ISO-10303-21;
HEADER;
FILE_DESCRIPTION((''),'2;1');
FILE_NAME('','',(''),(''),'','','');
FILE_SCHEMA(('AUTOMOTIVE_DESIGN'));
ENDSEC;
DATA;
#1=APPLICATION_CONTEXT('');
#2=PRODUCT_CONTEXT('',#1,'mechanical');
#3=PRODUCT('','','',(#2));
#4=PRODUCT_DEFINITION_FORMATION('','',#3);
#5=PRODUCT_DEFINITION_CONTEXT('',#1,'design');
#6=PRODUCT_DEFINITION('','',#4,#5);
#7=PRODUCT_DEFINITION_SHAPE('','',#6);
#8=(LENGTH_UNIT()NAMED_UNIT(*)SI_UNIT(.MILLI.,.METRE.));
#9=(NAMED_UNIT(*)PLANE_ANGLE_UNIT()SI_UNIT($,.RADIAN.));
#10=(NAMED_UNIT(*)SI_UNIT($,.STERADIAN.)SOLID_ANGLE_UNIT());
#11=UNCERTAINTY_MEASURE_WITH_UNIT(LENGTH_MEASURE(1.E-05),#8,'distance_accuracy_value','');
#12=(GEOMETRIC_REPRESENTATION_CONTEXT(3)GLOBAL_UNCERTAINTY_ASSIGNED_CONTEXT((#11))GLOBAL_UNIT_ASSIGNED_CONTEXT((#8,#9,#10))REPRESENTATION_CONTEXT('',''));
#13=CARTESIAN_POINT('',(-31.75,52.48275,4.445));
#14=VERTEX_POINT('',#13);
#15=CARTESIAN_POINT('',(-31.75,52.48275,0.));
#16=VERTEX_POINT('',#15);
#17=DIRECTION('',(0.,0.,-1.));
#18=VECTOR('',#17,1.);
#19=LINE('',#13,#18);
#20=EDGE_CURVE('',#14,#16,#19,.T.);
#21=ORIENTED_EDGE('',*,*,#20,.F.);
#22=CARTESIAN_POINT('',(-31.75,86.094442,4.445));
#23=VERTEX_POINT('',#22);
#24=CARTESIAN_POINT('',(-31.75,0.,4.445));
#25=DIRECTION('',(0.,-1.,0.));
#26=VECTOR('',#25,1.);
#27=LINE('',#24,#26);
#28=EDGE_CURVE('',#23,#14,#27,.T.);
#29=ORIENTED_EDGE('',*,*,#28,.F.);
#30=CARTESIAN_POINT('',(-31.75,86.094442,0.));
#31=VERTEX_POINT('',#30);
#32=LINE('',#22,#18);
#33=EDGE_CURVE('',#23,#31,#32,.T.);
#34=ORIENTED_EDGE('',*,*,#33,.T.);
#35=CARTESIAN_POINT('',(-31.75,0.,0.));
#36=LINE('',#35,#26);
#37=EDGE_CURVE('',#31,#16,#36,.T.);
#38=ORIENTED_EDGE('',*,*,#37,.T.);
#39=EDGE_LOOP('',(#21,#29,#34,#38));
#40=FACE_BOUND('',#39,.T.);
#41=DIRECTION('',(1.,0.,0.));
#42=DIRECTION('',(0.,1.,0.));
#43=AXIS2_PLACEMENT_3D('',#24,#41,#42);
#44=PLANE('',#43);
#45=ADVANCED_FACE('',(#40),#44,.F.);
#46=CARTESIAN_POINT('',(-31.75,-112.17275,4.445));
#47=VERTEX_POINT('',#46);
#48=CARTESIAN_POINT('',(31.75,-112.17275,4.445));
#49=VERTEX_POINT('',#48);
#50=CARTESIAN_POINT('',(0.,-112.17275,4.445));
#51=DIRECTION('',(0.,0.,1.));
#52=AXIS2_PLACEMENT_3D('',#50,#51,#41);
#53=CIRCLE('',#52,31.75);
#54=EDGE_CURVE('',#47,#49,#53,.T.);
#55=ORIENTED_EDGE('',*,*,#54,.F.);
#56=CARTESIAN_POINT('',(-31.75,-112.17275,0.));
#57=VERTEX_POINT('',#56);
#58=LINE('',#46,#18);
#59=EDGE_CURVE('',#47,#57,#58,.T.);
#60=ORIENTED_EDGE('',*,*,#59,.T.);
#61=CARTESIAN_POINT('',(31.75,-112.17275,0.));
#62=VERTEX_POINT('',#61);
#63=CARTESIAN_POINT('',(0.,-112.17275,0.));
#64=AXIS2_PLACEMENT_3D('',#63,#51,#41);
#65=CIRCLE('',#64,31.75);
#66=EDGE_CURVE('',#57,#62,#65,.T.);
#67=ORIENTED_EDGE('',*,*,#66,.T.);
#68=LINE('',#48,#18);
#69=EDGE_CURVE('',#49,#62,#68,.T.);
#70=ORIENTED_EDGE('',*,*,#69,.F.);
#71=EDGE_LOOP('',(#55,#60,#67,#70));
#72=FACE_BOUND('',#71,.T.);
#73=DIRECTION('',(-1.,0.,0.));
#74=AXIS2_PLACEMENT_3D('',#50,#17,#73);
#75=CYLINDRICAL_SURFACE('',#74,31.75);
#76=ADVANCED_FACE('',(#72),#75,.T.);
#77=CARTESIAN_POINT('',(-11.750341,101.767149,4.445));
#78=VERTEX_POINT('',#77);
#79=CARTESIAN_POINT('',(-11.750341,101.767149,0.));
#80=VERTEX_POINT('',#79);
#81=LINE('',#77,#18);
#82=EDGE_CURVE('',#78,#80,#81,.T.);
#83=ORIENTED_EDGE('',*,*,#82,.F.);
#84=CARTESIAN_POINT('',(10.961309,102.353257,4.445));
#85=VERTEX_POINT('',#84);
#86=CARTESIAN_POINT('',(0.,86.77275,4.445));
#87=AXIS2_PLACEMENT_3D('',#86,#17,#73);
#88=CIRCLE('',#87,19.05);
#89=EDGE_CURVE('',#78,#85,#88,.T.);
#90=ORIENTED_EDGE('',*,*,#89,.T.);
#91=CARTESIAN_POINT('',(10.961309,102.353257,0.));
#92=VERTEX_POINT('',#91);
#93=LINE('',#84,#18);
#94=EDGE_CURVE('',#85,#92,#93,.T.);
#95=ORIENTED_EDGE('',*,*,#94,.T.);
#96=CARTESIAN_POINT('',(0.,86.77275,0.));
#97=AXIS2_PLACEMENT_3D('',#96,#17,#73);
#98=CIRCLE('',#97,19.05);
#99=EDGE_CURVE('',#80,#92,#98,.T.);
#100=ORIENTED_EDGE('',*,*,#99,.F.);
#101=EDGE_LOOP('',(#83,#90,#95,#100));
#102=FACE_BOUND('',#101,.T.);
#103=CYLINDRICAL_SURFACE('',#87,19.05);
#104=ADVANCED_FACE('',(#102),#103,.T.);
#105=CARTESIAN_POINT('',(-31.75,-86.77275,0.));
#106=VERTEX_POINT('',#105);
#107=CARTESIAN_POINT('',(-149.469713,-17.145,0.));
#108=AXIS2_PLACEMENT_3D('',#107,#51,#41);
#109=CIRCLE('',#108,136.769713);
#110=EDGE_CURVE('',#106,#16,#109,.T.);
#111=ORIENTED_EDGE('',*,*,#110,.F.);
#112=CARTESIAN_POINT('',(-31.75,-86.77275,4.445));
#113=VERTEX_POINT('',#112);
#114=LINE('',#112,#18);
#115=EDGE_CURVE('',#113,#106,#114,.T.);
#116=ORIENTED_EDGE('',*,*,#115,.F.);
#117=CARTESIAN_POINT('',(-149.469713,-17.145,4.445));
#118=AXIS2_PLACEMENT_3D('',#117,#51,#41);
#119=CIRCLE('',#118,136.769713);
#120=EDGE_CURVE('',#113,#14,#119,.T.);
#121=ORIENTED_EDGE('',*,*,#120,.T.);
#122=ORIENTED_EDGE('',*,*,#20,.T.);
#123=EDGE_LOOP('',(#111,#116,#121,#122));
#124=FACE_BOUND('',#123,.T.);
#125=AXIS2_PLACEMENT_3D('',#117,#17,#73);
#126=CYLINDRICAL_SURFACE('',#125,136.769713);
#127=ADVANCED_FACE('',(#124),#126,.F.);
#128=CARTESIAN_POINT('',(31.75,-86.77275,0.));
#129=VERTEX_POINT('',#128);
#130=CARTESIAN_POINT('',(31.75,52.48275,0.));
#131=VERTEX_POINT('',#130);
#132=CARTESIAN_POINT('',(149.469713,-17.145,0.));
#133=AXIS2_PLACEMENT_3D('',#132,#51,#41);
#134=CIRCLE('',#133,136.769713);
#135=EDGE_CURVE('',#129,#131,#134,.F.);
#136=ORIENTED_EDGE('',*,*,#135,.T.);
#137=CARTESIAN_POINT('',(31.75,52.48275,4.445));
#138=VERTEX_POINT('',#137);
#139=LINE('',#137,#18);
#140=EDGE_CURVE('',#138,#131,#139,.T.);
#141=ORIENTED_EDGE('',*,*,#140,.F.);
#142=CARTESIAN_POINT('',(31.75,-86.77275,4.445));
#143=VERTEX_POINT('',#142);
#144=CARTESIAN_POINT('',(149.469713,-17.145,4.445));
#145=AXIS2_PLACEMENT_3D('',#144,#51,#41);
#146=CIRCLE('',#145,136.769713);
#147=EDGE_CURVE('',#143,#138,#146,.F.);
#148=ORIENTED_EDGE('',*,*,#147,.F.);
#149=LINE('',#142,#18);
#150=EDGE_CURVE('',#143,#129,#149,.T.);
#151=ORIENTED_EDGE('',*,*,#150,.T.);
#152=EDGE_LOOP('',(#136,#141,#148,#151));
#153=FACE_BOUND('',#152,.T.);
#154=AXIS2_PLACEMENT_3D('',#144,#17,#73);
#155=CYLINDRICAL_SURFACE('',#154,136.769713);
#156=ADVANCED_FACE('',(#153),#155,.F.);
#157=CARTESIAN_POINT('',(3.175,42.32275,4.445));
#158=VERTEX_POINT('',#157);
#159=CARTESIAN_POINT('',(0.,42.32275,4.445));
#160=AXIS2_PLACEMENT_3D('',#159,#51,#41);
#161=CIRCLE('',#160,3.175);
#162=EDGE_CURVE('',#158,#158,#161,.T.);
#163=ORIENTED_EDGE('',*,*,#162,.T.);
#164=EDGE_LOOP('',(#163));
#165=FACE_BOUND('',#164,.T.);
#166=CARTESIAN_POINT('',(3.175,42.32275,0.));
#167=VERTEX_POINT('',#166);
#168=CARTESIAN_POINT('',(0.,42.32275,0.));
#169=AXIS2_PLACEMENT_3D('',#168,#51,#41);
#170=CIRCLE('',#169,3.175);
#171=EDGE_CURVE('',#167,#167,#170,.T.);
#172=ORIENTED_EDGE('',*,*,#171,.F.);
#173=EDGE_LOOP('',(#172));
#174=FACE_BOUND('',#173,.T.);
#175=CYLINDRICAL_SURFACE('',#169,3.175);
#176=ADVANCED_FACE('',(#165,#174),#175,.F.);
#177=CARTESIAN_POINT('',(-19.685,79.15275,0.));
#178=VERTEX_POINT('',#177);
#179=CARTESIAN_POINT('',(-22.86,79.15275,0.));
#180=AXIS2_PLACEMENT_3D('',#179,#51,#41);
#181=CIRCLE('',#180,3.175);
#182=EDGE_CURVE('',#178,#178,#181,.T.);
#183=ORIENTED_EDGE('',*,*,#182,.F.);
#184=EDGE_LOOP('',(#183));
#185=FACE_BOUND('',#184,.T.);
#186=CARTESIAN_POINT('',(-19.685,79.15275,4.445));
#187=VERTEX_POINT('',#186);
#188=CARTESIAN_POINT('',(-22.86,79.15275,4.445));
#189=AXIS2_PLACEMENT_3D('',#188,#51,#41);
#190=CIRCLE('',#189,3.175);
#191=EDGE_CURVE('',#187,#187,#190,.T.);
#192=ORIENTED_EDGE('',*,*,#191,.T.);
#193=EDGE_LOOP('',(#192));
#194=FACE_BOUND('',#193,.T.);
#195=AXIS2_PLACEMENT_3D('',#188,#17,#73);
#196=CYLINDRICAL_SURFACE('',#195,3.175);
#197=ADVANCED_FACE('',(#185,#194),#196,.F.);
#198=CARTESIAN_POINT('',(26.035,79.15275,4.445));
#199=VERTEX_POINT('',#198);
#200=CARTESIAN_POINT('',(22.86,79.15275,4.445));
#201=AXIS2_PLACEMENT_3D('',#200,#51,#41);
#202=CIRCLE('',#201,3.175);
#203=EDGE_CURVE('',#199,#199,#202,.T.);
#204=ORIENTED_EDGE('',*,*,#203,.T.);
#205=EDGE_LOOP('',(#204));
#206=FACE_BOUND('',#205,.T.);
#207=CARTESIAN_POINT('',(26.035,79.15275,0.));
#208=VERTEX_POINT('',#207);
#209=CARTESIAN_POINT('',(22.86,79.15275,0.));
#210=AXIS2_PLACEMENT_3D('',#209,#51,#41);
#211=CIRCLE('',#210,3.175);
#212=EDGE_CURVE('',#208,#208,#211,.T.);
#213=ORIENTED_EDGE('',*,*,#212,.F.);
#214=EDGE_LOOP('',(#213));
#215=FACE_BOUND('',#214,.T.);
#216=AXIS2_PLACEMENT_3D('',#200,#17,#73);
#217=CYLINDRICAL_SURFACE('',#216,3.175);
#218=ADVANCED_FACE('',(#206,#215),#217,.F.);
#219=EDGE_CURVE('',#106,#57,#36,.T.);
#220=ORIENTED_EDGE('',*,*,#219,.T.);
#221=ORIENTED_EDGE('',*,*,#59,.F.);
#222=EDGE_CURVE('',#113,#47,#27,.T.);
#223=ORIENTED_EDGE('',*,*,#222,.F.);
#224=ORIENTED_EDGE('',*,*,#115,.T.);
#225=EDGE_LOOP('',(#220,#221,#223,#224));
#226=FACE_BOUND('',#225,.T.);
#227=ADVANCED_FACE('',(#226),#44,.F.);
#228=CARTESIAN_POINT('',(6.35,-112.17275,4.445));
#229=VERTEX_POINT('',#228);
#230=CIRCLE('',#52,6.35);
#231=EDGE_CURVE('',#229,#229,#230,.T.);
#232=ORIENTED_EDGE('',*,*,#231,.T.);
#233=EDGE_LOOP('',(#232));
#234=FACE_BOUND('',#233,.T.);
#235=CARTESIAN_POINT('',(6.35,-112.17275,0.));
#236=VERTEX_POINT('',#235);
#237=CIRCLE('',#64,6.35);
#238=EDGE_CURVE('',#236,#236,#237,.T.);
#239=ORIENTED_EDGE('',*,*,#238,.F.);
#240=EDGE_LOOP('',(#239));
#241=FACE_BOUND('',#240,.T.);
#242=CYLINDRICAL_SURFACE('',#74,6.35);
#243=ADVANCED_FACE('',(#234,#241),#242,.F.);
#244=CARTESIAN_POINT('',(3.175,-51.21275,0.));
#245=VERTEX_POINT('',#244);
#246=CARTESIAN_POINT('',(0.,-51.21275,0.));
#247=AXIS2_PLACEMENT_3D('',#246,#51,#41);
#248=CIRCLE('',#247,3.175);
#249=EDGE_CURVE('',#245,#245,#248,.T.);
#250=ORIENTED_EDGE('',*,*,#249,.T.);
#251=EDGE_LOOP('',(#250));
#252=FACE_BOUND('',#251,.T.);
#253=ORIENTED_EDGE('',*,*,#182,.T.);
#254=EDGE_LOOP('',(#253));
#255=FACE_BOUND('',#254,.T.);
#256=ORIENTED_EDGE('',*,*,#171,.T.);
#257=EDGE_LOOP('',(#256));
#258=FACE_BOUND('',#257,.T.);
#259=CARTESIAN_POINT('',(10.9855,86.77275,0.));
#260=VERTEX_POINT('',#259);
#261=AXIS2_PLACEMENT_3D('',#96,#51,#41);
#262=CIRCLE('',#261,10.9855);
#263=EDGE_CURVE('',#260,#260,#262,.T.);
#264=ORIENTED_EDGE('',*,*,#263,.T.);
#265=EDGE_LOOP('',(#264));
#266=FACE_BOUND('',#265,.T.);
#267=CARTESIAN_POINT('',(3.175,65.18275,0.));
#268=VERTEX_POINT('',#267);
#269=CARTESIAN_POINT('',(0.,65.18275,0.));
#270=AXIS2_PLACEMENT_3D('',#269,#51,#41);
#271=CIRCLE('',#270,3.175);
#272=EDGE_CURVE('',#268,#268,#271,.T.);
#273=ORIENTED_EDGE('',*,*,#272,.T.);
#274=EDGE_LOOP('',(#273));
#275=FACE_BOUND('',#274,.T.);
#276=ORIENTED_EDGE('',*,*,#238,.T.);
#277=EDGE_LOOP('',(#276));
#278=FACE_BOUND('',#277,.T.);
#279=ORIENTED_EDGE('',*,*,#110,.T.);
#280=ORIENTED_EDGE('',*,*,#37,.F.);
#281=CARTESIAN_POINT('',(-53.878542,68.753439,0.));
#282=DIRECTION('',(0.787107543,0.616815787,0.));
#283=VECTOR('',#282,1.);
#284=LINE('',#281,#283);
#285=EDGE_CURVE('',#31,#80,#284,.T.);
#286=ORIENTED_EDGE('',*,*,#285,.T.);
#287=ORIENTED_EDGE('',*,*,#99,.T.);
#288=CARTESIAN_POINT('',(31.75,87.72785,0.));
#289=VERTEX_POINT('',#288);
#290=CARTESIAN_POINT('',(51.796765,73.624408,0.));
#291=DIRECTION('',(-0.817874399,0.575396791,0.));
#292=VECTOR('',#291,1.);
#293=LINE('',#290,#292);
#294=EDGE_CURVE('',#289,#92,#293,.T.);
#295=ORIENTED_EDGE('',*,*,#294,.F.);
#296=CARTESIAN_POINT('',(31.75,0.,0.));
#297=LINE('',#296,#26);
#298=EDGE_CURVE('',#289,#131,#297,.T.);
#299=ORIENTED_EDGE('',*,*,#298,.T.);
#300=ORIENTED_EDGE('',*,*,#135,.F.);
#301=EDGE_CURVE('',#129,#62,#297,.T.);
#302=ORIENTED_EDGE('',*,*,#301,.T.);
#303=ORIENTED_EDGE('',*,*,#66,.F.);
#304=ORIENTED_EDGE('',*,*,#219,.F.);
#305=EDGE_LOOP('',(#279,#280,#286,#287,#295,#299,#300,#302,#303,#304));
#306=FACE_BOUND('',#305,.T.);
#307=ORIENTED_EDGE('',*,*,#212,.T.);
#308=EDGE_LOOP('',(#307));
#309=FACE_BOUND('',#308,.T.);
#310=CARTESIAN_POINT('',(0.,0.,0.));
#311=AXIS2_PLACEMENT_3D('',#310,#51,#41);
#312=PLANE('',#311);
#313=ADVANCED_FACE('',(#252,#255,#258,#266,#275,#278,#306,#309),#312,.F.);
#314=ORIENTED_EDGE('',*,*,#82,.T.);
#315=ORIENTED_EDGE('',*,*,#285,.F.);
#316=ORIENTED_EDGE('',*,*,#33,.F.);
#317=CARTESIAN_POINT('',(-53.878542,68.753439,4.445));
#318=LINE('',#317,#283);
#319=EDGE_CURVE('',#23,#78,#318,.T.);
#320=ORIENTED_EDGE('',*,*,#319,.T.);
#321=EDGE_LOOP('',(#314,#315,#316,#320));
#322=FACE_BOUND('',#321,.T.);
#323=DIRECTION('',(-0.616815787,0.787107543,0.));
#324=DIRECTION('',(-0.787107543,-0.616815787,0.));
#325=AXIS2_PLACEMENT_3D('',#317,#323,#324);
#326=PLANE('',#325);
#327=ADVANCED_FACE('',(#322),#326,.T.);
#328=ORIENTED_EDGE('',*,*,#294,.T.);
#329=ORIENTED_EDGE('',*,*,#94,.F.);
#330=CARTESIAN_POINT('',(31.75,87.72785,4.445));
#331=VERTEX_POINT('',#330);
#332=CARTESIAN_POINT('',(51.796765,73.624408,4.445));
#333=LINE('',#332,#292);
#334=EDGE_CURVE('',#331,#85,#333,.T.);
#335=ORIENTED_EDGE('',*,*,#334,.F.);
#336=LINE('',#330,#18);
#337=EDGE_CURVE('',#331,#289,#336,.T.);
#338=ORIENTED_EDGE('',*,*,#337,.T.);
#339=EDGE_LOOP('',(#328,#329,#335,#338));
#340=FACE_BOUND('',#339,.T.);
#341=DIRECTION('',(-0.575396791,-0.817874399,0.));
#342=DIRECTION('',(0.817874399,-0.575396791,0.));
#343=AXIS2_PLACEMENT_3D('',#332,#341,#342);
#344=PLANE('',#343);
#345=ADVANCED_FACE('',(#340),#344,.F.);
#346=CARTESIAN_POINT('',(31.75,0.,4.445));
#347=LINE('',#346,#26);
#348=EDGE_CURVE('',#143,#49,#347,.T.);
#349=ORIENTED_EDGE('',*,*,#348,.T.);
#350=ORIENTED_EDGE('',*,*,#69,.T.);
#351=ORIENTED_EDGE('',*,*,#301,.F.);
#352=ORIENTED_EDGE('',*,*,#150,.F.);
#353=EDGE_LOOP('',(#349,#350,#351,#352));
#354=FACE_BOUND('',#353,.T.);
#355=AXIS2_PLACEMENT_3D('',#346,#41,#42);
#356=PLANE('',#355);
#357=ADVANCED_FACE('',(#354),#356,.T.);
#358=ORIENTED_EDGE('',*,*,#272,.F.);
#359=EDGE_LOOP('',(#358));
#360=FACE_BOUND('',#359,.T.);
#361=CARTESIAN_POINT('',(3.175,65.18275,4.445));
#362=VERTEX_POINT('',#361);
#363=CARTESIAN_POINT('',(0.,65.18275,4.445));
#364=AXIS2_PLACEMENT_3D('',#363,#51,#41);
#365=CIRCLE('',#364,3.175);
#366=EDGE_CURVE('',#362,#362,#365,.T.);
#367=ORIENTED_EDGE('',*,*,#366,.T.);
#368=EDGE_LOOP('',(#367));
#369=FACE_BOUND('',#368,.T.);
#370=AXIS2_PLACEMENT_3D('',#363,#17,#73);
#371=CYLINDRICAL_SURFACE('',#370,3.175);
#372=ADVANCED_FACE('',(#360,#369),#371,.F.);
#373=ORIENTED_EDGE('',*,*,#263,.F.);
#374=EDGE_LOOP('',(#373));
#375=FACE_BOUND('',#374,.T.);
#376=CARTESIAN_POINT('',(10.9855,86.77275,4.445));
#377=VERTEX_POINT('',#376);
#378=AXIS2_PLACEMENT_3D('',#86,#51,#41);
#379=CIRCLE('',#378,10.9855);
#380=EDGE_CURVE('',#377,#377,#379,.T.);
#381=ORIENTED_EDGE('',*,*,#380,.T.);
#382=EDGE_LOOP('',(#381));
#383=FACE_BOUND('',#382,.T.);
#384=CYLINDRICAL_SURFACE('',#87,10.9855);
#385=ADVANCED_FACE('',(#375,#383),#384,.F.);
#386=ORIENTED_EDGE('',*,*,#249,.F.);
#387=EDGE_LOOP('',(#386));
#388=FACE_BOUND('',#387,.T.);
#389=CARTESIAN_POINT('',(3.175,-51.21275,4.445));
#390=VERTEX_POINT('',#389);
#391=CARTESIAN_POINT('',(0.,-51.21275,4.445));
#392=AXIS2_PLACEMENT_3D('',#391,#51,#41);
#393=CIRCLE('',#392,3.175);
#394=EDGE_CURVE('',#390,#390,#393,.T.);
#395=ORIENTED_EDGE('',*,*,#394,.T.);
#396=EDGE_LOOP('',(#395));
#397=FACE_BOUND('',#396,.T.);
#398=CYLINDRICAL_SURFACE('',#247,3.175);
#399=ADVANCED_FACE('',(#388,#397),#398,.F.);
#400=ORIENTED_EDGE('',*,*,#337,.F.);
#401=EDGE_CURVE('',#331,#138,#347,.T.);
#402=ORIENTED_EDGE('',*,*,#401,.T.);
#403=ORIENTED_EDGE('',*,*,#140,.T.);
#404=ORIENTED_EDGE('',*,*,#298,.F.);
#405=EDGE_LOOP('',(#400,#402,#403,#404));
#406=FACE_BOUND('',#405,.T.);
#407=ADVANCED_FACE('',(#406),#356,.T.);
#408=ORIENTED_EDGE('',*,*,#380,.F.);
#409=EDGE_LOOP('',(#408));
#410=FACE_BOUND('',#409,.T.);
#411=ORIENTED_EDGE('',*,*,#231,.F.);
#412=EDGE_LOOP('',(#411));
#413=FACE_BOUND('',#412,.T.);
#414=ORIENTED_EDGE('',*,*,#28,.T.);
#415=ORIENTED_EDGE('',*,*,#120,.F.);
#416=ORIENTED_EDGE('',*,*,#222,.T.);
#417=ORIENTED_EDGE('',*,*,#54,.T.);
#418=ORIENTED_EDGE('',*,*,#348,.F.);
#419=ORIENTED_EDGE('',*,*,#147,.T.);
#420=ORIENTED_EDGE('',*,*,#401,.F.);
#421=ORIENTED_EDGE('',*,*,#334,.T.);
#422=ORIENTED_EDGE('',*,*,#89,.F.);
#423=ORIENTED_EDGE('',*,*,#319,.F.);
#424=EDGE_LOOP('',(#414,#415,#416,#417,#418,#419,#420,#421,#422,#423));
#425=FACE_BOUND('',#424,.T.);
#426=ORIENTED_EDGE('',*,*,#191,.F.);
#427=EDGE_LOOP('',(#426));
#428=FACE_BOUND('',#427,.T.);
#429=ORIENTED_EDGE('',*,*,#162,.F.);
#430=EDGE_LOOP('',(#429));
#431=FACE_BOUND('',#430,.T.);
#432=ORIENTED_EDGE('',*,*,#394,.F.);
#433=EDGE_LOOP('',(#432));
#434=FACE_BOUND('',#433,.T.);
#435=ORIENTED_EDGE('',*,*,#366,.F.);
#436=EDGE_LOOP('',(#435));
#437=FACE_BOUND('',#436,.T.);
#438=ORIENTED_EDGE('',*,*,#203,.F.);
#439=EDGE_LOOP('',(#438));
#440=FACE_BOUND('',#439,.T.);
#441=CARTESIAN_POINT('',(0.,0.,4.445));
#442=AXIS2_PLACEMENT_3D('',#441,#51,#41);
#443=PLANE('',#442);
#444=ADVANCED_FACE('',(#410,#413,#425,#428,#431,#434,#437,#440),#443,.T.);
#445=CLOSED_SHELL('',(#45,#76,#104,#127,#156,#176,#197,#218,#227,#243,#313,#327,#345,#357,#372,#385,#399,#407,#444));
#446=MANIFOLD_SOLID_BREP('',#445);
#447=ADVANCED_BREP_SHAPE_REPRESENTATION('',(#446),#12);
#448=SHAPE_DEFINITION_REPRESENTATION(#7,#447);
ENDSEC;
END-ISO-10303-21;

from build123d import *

# Parameters (mm, degrees)
SKETCH2_R           = 6.35
SKETCH2_R_2         = 3.175
SKETCH2_R_3         = 10.9855
BOSS_EXTRUDE1_DEPTH = 4.445
SKETCH4_R           = 3.175
CUT_EXTRUDE2_DEPTH  = 148.450257689
CUT_EXTRUDE3_DEPTH  = 148.450257689


with BuildPart() as part:
    # Sketch2 → Boss-Extrude1 (new body)
    with BuildSketch(Plane.XY):
        with BuildLine():
            Line((31.75, 112.17275), (-31.75, 112.17275))
            Line((-31.75, 112.17275), (-31.75, 52.48275))
            ThreePointArc((-31.75, 52.48275), (-12.7, -17.145), (-31.75, -86.77275))
            Line((-31.75, -86.77275), (-31.75, -112.17275))
            ThreePointArc((-31.75, -112.17275), (0, -143.92275), (31.75, -112.17275))
            Line((31.75, -112.17275), (31.75, -86.77275))
            ThreePointArc((31.75, -86.77275), (12.7, -17.145), (31.75, 52.48275))
            Line((31.75, 52.48275), (31.75, 112.17275))
        make_face()
        with Locations((0, -112.17275)):
            Circle(SKETCH2_R, mode=Mode.SUBTRACT)
        with Locations((-22.86, 79.15275)):
            Circle(SKETCH2_R_2, mode=Mode.SUBTRACT)
        with Locations((0, 65.18275)):
            Circle(SKETCH2_R_2, mode=Mode.SUBTRACT)
        with Locations((0, 86.77275)):
            Circle(SKETCH2_R_3, mode=Mode.SUBTRACT)
        with Locations((22.86, 79.15275)):
            Circle(SKETCH2_R_2, mode=Mode.SUBTRACT)
    extrude(amount=BOSS_EXTRUDE1_DEPTH)

    # Sketch4 → Cut-Extrude2 (cut, through all)
    with BuildSketch(Plane.XY.offset(4.445)):
        with Locations((0, 42.32275)):
            Circle(SKETCH4_R)
        with Locations((0, -51.21275)):
            Circle(SKETCH4_R)
    extrude(amount=-CUT_EXTRUDE2_DEPTH, mode=Mode.SUBTRACT)

    # Sketch6 → Cut-Extrude3 (cut, through all)
    with BuildSketch(Plane(origin=(0, 0, 0), x_dir=(-1, 0, 0), z_dir=(0, 0, -1))):
        with BuildLine():
            Line((-31.75, 87.727850063), (-10.961308866, 102.353257307))
            ThreePointArc((-10.961308866, 102.353257307), (0.491450562, 105.816409741), (11.750340751, 101.767148695))
            Line((11.750340751, 101.767148695), (31.75, 86.094442115))
            Line((31.75, 86.094442115), (31.75, 114.970728373))
            Line((31.75, 114.970728373), (-31.75, 114.970728373))
            Line((-31.75, 114.970728373), (-31.75, 87.727850063))
        make_face()
    extrude(amount=-CUT_EXTRUDE3_DEPTH, mode=Mode.SUBTRACT)


solid = part.part
